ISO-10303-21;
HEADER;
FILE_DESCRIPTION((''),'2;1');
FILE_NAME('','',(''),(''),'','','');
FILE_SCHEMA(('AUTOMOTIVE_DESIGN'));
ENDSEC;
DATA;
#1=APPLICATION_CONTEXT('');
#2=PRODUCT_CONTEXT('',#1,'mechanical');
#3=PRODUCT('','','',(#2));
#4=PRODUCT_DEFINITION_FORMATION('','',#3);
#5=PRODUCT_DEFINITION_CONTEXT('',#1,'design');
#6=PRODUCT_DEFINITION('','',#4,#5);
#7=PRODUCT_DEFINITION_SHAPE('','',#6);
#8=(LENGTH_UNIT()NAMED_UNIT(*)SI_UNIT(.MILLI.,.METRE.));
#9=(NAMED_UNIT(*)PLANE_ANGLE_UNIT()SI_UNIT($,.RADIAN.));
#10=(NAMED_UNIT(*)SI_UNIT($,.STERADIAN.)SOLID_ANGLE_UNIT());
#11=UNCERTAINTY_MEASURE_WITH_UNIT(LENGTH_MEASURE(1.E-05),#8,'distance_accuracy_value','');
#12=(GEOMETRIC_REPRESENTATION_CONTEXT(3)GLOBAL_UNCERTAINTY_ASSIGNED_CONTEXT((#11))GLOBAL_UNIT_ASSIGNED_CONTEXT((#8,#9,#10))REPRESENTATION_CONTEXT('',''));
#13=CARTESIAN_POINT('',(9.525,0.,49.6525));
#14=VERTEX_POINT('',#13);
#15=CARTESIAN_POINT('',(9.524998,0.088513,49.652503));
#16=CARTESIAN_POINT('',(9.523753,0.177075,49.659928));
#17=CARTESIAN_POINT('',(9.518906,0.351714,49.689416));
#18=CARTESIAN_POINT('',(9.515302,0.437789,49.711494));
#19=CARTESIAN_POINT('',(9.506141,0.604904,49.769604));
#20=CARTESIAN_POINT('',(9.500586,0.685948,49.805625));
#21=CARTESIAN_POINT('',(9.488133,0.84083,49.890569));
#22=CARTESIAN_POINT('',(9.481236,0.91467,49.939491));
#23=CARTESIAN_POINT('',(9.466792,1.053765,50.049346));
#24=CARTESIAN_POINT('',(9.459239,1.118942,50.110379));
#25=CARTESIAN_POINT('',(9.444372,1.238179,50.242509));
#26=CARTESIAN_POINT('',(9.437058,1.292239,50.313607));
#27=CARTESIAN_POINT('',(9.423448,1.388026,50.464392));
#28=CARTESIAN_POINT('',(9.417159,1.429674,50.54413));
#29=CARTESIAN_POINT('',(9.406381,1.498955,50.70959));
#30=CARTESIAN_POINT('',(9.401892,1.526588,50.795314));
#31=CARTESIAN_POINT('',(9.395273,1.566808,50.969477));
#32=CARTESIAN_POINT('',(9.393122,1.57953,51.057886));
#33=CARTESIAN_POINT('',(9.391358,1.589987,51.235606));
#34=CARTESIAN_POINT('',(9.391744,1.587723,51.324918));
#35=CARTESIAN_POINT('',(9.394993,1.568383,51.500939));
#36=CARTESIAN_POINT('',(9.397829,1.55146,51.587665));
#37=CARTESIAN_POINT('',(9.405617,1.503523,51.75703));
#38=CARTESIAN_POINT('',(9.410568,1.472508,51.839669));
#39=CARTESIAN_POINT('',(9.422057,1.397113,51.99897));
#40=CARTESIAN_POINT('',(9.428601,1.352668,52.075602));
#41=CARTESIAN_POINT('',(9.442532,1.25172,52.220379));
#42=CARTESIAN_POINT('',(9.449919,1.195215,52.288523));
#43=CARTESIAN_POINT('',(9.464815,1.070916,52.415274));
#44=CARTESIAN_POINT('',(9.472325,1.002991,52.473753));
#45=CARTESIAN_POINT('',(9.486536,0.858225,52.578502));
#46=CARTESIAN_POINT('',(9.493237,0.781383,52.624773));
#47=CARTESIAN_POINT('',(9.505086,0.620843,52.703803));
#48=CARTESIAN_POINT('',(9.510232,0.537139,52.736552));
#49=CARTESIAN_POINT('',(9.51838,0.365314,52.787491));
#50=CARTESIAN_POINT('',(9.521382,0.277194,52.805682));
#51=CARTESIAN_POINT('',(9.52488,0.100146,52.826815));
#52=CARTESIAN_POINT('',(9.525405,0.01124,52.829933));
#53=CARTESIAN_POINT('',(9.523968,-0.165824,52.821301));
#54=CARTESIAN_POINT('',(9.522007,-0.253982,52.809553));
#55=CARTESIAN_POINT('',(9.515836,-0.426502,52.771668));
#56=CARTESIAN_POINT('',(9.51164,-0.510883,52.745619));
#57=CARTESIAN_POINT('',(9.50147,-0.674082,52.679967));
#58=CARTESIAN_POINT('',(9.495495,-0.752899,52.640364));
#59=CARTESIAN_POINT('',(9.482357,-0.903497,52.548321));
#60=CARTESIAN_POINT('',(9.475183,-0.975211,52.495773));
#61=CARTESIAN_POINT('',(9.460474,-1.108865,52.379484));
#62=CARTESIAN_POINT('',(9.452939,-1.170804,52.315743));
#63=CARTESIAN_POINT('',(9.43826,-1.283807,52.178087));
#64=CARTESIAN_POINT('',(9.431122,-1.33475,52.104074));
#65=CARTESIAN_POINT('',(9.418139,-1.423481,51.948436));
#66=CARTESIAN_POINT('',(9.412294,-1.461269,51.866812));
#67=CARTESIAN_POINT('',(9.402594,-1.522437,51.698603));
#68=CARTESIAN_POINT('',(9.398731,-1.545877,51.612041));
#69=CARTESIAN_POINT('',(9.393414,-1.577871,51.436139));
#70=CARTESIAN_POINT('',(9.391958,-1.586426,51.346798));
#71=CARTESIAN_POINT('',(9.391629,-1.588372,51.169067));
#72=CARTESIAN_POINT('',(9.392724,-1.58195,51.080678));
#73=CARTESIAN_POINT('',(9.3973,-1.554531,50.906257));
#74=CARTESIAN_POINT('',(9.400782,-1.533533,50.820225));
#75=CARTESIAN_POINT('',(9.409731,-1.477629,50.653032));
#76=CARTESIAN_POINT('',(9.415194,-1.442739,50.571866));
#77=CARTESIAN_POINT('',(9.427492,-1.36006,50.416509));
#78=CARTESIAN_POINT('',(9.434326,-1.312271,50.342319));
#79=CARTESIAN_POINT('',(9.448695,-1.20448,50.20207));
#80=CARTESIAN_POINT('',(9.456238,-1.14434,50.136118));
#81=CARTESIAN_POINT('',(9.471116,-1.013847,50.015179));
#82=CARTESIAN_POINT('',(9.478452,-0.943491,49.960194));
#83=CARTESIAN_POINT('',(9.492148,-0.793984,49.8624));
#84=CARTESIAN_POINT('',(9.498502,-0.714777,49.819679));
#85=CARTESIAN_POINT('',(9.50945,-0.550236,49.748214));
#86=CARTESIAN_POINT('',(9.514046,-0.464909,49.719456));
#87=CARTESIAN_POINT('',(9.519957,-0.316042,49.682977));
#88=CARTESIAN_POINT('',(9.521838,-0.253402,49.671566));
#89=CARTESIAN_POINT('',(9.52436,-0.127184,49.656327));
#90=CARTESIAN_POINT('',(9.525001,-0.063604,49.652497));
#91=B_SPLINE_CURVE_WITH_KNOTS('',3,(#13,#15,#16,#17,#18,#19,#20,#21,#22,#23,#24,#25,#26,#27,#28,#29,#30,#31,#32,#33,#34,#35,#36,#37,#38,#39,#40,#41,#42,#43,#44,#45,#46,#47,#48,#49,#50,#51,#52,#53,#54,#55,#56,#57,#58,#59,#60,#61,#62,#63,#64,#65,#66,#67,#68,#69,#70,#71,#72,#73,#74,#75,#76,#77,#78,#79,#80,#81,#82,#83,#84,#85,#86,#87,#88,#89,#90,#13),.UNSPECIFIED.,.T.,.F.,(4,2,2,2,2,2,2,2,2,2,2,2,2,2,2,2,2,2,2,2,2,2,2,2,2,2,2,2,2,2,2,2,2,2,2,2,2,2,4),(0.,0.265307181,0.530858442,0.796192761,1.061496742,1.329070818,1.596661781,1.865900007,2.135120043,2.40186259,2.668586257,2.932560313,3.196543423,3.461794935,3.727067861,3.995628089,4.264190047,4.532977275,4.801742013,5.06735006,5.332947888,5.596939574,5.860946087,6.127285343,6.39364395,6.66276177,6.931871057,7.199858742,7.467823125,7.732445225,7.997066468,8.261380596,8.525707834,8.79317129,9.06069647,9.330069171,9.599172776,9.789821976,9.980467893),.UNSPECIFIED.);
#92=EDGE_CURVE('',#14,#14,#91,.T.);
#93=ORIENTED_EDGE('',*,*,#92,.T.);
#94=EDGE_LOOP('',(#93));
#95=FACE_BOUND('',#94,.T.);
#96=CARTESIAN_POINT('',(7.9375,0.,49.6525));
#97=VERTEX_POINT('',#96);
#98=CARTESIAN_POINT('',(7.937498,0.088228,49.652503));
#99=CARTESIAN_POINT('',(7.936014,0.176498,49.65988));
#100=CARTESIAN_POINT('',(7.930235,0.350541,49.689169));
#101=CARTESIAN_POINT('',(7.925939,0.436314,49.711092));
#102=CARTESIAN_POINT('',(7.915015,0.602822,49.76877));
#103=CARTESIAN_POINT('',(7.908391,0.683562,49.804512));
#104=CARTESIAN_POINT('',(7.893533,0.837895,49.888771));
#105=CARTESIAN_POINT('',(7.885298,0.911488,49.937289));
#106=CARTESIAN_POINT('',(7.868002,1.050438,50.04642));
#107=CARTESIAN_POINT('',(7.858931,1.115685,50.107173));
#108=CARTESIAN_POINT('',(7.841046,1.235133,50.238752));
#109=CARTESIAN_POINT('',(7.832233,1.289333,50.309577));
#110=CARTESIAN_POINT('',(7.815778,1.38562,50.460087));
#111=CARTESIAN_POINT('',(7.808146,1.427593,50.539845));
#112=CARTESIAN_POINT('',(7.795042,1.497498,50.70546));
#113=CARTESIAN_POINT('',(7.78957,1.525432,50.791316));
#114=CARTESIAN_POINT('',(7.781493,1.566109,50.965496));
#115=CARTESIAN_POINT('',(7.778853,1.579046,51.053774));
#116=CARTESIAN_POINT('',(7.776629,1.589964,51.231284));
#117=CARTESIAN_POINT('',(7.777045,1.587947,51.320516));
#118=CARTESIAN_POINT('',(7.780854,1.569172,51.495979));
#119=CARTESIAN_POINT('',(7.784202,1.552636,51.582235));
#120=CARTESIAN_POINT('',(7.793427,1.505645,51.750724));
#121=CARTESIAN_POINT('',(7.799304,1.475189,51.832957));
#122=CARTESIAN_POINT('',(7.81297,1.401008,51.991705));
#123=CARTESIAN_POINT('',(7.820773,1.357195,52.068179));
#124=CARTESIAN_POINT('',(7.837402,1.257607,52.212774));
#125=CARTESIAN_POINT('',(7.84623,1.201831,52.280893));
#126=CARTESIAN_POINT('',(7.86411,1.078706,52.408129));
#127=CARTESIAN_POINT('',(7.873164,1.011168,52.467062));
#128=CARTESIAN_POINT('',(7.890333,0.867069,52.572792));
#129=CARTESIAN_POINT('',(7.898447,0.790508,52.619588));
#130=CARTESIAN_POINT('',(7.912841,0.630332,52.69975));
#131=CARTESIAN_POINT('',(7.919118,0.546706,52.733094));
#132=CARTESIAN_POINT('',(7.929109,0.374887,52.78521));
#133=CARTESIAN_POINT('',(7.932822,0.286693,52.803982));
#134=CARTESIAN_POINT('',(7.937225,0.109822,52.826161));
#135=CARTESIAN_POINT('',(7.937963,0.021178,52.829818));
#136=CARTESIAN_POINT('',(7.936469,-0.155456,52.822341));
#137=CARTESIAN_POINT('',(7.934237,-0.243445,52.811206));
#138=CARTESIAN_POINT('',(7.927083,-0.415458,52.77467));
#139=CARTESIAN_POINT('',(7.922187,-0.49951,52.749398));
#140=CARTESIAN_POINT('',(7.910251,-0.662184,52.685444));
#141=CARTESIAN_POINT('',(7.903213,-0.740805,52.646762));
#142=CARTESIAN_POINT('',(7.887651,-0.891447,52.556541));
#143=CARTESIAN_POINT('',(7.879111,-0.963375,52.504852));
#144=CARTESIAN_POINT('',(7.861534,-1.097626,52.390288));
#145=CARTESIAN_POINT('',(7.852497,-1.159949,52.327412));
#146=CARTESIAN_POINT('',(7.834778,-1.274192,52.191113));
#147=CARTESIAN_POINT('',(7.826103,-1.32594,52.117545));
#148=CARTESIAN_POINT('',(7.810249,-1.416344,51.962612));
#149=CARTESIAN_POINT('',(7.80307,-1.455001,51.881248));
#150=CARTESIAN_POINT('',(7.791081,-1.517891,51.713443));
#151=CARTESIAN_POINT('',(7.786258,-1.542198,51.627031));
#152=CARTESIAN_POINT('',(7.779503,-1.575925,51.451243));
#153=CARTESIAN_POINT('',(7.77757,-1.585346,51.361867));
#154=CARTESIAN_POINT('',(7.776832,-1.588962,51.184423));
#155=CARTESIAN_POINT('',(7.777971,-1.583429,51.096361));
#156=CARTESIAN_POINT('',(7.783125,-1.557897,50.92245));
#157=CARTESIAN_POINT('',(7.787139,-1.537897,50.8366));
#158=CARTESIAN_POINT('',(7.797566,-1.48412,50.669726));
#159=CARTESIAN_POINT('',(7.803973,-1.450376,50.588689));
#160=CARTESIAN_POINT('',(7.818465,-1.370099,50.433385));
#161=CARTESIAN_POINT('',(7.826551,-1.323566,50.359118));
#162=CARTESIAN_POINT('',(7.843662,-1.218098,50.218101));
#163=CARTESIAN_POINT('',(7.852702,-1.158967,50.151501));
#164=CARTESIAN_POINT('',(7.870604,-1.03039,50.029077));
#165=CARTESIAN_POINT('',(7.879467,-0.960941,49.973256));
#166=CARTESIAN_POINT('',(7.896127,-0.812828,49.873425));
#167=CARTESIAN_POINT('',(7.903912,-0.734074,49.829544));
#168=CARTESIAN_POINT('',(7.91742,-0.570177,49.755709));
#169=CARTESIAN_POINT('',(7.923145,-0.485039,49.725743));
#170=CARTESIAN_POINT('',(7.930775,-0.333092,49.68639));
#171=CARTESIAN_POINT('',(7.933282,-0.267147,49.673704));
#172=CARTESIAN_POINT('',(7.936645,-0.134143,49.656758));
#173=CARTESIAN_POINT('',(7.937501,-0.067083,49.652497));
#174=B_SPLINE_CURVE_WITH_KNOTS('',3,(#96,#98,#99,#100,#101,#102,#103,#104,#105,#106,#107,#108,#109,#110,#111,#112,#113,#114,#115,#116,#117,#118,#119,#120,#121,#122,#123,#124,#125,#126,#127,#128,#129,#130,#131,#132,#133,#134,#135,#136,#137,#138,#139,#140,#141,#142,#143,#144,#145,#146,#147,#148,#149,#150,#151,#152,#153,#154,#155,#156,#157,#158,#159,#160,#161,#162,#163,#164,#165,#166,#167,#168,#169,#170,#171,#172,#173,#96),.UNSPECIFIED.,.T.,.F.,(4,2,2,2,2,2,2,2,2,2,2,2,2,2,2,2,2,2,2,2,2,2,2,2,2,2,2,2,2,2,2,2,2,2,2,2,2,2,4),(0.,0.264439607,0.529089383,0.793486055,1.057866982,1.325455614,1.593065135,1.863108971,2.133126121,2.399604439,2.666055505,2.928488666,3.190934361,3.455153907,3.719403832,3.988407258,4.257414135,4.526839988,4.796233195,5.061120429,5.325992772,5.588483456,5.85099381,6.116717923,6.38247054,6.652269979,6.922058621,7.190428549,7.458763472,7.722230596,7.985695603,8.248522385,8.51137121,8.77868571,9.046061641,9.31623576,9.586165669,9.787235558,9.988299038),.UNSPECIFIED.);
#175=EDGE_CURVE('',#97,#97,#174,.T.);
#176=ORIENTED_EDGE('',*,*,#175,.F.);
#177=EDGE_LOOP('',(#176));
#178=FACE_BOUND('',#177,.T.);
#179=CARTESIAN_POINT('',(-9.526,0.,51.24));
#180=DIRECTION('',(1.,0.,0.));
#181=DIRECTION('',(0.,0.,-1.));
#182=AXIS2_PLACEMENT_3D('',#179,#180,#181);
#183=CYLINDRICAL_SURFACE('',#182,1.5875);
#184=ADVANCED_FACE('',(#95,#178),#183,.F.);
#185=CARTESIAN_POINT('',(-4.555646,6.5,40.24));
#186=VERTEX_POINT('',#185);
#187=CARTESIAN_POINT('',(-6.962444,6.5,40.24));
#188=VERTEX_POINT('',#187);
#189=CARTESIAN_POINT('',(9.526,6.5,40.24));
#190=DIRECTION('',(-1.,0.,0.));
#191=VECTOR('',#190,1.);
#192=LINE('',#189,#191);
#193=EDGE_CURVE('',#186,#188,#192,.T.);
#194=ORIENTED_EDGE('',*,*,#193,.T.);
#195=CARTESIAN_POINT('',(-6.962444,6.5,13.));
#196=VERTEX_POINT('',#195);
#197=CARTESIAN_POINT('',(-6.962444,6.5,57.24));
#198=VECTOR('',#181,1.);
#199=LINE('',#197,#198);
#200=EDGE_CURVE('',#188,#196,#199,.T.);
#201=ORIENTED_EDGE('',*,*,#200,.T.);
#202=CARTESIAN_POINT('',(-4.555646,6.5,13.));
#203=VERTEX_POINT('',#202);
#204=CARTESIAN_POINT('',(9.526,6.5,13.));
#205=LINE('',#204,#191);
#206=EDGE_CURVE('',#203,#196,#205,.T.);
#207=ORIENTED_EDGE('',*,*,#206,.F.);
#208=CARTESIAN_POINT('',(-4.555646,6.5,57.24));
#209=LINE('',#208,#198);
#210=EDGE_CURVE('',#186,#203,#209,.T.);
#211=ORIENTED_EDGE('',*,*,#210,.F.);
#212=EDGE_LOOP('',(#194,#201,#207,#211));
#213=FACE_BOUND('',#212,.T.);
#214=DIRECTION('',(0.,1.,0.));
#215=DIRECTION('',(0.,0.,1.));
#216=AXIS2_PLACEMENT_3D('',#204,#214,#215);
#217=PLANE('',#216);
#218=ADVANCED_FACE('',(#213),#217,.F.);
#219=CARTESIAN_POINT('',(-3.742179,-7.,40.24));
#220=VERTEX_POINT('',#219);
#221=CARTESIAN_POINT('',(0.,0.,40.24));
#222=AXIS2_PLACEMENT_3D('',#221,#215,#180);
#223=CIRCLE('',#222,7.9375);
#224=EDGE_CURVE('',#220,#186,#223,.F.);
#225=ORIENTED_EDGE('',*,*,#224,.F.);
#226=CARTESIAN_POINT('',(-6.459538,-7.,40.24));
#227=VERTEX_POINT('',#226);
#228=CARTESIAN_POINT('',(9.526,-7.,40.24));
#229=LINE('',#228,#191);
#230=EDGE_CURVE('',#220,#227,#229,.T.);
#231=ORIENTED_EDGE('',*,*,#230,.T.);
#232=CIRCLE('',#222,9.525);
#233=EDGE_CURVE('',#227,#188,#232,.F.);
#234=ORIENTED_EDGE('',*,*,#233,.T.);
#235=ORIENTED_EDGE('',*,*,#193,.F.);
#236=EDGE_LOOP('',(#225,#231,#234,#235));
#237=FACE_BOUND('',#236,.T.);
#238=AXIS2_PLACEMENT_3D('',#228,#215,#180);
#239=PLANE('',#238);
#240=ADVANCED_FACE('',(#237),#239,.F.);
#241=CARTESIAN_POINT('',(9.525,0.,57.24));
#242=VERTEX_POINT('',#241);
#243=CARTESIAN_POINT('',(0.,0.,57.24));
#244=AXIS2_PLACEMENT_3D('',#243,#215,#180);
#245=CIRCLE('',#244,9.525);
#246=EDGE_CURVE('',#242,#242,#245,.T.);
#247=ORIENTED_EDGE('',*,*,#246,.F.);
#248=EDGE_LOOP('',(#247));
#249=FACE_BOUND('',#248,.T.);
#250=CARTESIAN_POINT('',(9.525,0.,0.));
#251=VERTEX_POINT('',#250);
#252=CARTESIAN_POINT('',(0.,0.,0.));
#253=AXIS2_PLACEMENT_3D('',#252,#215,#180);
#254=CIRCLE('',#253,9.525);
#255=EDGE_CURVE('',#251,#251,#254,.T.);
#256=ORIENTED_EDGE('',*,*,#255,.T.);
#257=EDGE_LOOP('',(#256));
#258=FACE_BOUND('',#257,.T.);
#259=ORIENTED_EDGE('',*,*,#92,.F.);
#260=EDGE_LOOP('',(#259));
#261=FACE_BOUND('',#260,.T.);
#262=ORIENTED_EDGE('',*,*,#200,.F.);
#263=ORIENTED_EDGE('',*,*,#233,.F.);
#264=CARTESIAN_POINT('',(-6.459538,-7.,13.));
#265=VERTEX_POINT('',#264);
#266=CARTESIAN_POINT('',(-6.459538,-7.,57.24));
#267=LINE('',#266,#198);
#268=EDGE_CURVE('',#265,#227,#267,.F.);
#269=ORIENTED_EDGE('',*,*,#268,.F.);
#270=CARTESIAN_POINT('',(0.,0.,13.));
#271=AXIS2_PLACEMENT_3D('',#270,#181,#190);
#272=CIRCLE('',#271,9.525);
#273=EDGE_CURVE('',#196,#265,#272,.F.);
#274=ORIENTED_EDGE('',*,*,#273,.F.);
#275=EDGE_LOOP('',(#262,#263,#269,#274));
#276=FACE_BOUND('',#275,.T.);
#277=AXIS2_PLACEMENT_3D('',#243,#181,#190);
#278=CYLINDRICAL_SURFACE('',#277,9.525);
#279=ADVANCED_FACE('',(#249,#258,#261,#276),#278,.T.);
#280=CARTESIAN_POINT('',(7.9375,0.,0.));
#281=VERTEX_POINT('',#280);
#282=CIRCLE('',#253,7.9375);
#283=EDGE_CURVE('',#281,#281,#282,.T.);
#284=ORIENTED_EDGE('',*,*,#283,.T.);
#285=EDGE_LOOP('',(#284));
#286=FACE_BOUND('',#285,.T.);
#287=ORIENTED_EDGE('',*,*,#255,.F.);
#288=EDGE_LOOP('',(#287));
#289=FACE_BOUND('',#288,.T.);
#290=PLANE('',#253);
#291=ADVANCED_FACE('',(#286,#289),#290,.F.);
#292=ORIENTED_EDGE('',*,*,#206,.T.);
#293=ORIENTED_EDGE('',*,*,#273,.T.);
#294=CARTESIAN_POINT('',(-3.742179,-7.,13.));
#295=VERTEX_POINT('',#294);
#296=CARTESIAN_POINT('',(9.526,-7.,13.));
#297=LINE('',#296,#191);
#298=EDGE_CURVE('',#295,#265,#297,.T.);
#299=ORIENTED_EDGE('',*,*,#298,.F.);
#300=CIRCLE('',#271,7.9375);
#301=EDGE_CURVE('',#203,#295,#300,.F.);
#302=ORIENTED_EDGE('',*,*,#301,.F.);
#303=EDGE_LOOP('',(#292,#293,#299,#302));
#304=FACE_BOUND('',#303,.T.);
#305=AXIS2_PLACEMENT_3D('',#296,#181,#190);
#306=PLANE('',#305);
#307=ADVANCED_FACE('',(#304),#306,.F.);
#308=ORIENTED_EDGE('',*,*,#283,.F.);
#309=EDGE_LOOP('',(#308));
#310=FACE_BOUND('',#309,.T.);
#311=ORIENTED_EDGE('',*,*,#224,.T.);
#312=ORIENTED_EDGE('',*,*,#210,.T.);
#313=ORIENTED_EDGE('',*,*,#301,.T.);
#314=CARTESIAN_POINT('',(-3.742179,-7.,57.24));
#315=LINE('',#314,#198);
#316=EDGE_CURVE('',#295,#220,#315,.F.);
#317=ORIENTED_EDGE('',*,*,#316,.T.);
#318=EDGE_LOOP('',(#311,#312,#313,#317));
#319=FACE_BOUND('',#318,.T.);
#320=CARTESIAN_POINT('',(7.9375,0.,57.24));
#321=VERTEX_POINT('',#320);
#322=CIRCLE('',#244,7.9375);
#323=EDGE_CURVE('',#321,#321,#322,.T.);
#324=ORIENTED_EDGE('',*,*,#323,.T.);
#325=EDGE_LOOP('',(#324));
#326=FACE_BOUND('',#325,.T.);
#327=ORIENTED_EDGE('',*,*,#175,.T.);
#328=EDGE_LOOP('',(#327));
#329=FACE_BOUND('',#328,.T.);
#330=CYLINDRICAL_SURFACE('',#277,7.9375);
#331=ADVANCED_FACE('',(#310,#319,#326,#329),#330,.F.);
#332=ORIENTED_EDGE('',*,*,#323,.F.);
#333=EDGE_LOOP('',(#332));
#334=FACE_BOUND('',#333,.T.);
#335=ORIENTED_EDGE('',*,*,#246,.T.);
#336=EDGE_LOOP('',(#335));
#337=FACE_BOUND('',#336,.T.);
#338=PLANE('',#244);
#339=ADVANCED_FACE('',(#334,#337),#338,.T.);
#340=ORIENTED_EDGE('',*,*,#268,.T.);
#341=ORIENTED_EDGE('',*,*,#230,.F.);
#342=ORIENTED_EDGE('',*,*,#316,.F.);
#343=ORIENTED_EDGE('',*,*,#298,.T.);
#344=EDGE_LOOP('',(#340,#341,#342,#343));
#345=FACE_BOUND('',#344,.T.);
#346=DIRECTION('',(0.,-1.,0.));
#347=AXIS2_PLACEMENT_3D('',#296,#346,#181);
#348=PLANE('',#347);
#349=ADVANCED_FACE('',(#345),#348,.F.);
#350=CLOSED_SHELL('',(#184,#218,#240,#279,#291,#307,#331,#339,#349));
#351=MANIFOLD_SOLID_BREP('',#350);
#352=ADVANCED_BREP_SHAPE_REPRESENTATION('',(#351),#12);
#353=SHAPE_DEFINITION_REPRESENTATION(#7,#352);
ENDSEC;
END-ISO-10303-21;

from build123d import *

# Parameters (mm, degrees)
SKETCH1_R           = 9.525
SKETCH1_R_2         = 7.9375
BOSS_EXTRUDE1_DEPTH = 57.239999911
CUT_EXTRUDE1_REACH  = 21.05
SKETCH2_R           = 1.5875
CUT_EXTRUDE2_REACH  = 21.05
SKETCH3_W           = 27.239999911
SKETCH3_H           = 13.5


with BuildPart() as part:
    # Sketch1 → Boss-Extrude1 (new body)
    with BuildSketch(Plane.XY):
        Circle(SKETCH1_R)
        Circle(SKETCH1_R_2, mode=Mode.SUBTRACT)
    extrude(amount=BOSS_EXTRUDE1_DEPTH)

    # Sketch2 → Cut-Extrude1 (cut, up to next)
    with BuildSketch(Plane(origin=(9.525, 0, 0), x_dir=(0, 0, -1), z_dir=(1, 0, 0)), mode=Mode.PRIVATE) as cut_extrude1_sk1:
        with Locations((-51.239999911, 0)):
            Circle(SKETCH2_R)
    cut_extrude1_tool1 = extrude(cut_extrude1_sk1.sketch, amount=-CUT_EXTRUDE1_REACH, mode=Mode.PRIVATE) & part.part
    add(cut_extrude1_tool1.solids().sort_by_distance((9.525, 0, 51.24))[0], mode=Mode.SUBTRACT)

    # Sketch3 → Cut-Extrude2 (cut, up to next)
    with BuildSketch(Plane.ZY.offset(9.525), mode=Mode.PRIVATE) as cut_extrude2_sk1:
        with Locations((26.619999956, -0.25)):
            Rectangle(SKETCH3_W, SKETCH3_H)
    cut_extrude2_tool1 = extrude(cut_extrude2_sk1.sketch, amount=-CUT_EXTRUDE2_REACH, mode=Mode.PRIVATE) & part.part
    add(cut_extrude2_tool1.solids().sort_by_distance((-9.525, -0.25, 26.62))[0], mode=Mode.SUBTRACT)


solid = part.part
